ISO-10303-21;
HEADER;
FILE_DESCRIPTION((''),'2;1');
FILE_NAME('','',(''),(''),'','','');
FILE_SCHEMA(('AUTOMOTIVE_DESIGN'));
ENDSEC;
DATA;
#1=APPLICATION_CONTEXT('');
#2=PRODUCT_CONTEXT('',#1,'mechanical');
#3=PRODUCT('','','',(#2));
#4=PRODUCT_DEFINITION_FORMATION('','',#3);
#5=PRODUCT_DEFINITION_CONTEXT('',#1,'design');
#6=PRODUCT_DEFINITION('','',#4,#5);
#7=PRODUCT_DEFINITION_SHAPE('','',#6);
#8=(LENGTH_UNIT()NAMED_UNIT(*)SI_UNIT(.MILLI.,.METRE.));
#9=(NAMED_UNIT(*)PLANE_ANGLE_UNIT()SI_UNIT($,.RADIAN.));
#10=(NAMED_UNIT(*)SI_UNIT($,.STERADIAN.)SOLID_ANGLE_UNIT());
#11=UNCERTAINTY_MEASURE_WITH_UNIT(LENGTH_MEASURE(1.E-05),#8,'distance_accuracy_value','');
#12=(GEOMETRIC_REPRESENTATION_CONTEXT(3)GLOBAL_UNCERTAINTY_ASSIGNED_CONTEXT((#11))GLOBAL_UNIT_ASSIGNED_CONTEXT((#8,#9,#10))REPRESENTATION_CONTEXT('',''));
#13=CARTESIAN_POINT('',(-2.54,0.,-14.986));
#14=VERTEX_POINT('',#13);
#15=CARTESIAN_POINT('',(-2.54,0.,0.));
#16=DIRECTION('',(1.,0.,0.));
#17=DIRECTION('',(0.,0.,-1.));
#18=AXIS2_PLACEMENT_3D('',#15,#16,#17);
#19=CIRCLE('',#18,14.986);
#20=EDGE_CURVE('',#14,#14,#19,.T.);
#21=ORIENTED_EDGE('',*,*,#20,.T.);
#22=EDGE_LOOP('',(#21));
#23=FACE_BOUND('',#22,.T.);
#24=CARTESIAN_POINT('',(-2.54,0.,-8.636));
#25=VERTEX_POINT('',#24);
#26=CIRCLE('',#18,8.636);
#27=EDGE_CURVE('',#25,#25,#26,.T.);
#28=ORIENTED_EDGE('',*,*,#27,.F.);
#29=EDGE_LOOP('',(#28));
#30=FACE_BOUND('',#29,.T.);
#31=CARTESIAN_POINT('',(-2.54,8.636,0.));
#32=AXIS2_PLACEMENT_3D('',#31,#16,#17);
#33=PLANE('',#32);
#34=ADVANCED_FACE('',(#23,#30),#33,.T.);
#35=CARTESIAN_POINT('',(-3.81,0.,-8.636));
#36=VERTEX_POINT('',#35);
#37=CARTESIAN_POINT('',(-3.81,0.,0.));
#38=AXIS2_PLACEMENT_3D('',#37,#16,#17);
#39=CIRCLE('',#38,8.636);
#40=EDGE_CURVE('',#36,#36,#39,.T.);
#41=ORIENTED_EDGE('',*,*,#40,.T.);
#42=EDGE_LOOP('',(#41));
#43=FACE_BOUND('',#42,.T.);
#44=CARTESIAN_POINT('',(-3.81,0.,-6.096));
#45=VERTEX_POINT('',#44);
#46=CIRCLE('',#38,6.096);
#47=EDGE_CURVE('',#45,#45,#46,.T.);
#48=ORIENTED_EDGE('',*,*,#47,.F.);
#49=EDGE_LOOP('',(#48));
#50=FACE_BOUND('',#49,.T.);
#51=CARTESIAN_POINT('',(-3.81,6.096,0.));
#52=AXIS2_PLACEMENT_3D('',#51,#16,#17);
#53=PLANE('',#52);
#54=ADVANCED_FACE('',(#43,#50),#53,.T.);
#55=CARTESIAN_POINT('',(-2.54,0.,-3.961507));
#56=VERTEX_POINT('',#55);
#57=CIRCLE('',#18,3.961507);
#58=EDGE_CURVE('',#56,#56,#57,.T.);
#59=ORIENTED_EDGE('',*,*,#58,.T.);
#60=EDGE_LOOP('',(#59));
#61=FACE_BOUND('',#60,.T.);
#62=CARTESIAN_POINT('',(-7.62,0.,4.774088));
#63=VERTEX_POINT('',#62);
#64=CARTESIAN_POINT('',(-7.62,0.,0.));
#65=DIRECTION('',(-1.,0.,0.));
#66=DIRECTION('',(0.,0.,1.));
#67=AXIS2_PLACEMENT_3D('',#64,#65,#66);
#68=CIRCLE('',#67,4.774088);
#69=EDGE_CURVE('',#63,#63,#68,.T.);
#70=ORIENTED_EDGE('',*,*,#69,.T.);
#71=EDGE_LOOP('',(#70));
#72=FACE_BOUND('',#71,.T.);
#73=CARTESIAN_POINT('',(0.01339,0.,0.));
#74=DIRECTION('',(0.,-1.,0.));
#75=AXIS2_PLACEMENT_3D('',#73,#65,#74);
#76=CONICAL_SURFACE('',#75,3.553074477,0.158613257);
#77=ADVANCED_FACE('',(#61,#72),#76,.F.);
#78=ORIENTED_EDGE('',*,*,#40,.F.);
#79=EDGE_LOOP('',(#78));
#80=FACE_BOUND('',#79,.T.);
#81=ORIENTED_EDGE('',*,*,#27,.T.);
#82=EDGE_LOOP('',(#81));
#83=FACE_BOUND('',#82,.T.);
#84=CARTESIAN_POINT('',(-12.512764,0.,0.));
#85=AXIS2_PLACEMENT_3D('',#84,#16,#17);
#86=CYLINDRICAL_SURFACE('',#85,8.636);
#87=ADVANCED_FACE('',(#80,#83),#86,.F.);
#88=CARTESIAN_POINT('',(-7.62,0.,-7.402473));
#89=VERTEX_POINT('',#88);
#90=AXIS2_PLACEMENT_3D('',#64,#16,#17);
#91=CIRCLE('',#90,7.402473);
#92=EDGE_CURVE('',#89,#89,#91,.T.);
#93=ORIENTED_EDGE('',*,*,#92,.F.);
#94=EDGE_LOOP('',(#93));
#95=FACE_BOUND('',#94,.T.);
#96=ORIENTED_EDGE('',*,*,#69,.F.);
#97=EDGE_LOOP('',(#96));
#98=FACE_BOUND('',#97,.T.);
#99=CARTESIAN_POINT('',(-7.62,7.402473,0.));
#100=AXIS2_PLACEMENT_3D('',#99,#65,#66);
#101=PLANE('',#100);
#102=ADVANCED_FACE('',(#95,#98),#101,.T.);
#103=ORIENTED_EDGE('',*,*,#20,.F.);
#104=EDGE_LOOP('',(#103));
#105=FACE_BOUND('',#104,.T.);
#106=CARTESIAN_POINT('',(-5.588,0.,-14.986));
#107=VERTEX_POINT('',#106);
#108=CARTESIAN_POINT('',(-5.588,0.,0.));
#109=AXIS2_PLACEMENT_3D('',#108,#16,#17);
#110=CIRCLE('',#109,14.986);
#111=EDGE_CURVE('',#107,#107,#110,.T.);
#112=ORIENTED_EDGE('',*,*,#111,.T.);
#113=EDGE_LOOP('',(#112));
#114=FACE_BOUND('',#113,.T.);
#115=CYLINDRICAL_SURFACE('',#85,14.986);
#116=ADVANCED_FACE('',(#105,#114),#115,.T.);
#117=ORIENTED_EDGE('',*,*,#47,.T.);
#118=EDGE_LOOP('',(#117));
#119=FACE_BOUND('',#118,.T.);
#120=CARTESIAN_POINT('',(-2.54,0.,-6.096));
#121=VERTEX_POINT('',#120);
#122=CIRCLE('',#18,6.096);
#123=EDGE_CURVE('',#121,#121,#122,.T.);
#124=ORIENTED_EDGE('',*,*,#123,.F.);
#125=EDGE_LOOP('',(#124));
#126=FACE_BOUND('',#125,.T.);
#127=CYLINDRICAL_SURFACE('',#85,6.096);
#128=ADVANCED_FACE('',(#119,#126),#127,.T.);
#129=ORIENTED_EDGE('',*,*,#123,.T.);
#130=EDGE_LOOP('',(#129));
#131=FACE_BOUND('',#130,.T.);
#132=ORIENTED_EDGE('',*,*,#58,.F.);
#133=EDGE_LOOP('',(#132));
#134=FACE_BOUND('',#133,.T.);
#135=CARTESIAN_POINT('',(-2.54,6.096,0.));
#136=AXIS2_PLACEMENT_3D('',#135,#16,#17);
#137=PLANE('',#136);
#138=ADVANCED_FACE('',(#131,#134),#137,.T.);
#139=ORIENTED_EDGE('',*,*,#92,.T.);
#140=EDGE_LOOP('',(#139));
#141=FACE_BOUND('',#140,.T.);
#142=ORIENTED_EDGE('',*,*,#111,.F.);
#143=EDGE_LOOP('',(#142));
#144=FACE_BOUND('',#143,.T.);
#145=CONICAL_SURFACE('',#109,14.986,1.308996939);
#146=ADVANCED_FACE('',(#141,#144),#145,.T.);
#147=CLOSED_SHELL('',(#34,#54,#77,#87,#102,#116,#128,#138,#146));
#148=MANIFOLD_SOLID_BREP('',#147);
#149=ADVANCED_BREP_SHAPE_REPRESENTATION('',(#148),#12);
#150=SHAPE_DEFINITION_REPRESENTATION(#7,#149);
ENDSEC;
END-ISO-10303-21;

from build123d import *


with BuildPart() as part:
    # Sketch1 → Revolve1 (revolve)
    with BuildSketch(Plane.XY, mode=Mode.PRIVATE) as revolve1_sk:
        Polygon((-2.54, 8.636), (-2.54, 14.986), (-5.588, 14.986), (-7.62, 7.402472759), (-7.62, 0), (-2.54, 0), (-2.54, 6.096), (-3.81, 6.096), (-3.81, 8.636), align=None)
    revolve(revolve1_sk.sketch.rotate(Axis((-12.512764007, 0, 0), (-1, 0, 0)), 90), axis=Axis((-12.512764007, 0, 0), (-1, 0, 0)))

    # Sketch2 → Cut-Revolve1 (revolve, cut)
    with BuildSketch(Plane.XY, mode=Mode.PRIVATE) as cut_revolve1_sk:
        Polygon((-9.728542139, 0), (0.013390026, 0), (0.013390026, 3.553074477), (-9.728542139, 5.111363938), align=None)
    revolve(cut_revolve1_sk.sketch.rotate(Axis((-9.728542139, 0, 0), (-1, 0, 0)), 270), axis=Axis((-9.728542139, 0, 0), (-1, 0, 0)), mode=Mode.SUBTRACT)


solid = part.part
